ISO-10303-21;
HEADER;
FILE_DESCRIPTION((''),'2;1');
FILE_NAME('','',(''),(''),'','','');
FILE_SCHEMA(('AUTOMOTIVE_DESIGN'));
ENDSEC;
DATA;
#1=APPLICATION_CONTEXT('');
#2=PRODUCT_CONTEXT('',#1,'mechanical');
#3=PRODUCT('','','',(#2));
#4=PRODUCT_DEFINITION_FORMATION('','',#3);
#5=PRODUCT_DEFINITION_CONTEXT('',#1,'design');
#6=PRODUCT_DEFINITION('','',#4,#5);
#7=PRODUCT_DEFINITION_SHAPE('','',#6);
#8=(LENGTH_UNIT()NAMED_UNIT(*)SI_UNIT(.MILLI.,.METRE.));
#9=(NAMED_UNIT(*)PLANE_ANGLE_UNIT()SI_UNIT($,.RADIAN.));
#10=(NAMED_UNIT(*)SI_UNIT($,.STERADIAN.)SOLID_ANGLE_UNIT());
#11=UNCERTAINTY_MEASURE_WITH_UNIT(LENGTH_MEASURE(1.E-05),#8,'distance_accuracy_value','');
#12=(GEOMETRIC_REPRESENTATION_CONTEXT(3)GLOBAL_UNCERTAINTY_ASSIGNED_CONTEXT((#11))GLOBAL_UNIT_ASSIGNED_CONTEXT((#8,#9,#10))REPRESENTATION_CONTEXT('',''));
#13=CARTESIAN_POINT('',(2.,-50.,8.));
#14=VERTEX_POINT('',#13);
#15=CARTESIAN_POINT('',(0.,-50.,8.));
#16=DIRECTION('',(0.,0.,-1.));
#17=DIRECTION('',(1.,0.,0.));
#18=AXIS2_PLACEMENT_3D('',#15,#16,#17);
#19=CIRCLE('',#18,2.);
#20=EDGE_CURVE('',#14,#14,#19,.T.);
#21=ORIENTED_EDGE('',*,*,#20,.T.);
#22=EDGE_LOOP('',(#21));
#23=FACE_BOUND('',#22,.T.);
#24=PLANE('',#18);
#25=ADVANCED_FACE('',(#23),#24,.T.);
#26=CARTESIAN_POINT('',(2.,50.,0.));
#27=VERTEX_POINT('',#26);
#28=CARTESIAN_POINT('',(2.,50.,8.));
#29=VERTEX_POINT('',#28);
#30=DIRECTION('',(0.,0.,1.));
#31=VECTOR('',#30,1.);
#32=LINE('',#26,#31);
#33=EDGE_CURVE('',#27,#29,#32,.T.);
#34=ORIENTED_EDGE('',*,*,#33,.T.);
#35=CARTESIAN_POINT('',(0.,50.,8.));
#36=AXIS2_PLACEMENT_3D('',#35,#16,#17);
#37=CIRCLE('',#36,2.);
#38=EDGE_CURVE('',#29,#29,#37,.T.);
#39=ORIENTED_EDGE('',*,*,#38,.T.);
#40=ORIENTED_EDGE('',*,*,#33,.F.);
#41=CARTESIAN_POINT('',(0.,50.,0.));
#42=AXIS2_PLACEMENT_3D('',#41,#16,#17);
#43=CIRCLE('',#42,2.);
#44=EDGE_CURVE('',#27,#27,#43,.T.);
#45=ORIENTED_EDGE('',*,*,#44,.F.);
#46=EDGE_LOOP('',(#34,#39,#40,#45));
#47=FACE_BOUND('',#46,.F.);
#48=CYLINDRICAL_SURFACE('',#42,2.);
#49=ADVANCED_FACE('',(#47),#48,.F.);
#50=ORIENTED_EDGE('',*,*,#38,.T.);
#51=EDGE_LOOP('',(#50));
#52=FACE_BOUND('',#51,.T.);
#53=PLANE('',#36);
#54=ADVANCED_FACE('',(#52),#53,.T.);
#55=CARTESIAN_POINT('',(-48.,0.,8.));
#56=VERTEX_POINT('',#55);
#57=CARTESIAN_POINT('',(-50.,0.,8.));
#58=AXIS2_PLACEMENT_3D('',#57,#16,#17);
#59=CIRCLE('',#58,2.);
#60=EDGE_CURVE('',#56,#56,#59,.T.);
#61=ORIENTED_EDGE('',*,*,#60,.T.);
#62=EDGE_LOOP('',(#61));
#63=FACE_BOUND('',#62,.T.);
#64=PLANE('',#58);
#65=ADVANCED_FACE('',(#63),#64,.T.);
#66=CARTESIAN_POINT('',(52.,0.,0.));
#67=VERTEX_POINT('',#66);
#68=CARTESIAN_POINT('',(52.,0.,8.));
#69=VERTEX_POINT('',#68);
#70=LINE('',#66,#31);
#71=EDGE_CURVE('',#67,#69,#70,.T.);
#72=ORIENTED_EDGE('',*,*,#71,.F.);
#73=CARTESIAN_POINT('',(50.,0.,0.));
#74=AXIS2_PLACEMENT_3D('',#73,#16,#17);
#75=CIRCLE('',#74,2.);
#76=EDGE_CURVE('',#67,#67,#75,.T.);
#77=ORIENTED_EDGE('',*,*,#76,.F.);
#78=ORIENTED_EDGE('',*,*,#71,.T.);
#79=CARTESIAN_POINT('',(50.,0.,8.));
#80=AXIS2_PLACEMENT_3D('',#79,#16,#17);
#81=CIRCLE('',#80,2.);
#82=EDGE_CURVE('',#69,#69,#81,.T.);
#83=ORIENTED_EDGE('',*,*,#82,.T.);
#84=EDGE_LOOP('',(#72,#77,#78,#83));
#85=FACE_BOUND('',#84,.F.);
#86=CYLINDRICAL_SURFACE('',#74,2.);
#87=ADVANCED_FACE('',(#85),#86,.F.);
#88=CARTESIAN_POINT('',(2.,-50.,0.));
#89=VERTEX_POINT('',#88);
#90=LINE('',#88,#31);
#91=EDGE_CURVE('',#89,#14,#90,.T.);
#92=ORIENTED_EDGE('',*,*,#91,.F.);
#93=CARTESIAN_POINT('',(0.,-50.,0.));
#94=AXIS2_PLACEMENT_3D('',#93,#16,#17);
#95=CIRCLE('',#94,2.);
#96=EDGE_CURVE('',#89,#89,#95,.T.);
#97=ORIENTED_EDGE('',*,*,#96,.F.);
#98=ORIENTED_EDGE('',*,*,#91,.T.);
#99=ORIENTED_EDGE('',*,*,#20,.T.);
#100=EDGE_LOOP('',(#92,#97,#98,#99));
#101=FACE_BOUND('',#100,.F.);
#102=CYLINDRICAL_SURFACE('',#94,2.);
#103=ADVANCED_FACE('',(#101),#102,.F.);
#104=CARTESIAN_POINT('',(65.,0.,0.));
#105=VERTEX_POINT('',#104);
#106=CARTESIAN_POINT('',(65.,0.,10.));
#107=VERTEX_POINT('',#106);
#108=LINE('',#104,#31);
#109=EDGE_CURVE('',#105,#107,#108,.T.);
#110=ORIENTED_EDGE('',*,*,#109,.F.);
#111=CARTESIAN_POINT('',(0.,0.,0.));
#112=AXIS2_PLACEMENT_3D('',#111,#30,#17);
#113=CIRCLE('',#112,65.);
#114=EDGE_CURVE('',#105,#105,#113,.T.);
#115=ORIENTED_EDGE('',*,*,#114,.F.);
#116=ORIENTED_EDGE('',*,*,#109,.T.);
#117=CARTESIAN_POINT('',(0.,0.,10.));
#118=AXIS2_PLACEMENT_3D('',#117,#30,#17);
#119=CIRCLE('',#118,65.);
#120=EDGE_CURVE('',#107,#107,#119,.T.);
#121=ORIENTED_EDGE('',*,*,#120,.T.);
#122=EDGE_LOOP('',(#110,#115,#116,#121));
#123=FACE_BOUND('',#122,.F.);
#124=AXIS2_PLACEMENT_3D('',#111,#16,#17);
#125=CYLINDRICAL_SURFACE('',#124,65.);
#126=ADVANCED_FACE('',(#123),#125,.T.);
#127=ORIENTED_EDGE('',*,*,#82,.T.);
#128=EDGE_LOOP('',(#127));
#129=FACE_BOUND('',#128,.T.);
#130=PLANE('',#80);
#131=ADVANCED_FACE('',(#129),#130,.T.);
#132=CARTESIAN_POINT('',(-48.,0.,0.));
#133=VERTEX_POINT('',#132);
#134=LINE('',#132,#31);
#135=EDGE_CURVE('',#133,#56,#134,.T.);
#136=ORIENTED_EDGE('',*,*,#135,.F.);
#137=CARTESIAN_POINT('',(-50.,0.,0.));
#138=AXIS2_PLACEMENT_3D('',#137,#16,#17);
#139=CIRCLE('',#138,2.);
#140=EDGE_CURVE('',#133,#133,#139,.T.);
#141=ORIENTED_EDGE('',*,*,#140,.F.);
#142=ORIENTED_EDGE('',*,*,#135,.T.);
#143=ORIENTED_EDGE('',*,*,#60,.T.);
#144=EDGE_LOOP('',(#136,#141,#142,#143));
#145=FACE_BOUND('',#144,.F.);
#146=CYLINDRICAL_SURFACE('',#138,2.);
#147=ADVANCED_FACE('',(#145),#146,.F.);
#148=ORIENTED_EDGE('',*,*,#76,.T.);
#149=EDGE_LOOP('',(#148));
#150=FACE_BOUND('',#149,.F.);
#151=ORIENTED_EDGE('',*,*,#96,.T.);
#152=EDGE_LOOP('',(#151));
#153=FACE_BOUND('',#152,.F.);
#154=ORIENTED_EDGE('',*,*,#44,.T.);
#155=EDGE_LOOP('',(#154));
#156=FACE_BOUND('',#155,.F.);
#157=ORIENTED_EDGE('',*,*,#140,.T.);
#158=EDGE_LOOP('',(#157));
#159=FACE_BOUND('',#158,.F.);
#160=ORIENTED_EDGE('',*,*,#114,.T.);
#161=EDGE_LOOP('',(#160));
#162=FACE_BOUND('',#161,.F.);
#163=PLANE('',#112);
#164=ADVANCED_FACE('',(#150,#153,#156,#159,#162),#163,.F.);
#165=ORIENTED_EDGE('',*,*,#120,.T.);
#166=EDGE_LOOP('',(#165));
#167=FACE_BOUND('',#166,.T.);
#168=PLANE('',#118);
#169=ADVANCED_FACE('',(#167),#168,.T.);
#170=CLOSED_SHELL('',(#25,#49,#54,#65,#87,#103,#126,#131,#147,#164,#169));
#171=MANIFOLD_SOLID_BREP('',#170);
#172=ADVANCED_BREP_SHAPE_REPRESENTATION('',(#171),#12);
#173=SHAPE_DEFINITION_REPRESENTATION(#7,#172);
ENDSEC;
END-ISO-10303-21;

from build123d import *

# Parameters (mm, degrees)
F0_R     = 65
F1_DEPTH = 10
F2_R     = 2
F3_DEPTH = 8


with BuildPart() as f1:
    # F0 (on Top) → F1 (new body)
    with BuildSketch(Plane.XY):
        Circle(F0_R)
    extrude(amount=F1_DEPTH)

    # F2 (on face) → F3 (cut)
    with BuildSketch(Plane(origin=(0, 0, 0), x_dir=(1, 0, 0), z_dir=(0, 0, -1))):
        with Locations((0, 50)):
            Circle(F2_R)
        with Locations((50, 0)):
            Circle(F2_R)
        with Locations((0, -50)):
            Circle(F2_R)
        with Locations((-50, 0)):
            Circle(F2_R)
    extrude(amount=-F3_DEPTH, mode=Mode.SUBTRACT)


solid = f1.part
